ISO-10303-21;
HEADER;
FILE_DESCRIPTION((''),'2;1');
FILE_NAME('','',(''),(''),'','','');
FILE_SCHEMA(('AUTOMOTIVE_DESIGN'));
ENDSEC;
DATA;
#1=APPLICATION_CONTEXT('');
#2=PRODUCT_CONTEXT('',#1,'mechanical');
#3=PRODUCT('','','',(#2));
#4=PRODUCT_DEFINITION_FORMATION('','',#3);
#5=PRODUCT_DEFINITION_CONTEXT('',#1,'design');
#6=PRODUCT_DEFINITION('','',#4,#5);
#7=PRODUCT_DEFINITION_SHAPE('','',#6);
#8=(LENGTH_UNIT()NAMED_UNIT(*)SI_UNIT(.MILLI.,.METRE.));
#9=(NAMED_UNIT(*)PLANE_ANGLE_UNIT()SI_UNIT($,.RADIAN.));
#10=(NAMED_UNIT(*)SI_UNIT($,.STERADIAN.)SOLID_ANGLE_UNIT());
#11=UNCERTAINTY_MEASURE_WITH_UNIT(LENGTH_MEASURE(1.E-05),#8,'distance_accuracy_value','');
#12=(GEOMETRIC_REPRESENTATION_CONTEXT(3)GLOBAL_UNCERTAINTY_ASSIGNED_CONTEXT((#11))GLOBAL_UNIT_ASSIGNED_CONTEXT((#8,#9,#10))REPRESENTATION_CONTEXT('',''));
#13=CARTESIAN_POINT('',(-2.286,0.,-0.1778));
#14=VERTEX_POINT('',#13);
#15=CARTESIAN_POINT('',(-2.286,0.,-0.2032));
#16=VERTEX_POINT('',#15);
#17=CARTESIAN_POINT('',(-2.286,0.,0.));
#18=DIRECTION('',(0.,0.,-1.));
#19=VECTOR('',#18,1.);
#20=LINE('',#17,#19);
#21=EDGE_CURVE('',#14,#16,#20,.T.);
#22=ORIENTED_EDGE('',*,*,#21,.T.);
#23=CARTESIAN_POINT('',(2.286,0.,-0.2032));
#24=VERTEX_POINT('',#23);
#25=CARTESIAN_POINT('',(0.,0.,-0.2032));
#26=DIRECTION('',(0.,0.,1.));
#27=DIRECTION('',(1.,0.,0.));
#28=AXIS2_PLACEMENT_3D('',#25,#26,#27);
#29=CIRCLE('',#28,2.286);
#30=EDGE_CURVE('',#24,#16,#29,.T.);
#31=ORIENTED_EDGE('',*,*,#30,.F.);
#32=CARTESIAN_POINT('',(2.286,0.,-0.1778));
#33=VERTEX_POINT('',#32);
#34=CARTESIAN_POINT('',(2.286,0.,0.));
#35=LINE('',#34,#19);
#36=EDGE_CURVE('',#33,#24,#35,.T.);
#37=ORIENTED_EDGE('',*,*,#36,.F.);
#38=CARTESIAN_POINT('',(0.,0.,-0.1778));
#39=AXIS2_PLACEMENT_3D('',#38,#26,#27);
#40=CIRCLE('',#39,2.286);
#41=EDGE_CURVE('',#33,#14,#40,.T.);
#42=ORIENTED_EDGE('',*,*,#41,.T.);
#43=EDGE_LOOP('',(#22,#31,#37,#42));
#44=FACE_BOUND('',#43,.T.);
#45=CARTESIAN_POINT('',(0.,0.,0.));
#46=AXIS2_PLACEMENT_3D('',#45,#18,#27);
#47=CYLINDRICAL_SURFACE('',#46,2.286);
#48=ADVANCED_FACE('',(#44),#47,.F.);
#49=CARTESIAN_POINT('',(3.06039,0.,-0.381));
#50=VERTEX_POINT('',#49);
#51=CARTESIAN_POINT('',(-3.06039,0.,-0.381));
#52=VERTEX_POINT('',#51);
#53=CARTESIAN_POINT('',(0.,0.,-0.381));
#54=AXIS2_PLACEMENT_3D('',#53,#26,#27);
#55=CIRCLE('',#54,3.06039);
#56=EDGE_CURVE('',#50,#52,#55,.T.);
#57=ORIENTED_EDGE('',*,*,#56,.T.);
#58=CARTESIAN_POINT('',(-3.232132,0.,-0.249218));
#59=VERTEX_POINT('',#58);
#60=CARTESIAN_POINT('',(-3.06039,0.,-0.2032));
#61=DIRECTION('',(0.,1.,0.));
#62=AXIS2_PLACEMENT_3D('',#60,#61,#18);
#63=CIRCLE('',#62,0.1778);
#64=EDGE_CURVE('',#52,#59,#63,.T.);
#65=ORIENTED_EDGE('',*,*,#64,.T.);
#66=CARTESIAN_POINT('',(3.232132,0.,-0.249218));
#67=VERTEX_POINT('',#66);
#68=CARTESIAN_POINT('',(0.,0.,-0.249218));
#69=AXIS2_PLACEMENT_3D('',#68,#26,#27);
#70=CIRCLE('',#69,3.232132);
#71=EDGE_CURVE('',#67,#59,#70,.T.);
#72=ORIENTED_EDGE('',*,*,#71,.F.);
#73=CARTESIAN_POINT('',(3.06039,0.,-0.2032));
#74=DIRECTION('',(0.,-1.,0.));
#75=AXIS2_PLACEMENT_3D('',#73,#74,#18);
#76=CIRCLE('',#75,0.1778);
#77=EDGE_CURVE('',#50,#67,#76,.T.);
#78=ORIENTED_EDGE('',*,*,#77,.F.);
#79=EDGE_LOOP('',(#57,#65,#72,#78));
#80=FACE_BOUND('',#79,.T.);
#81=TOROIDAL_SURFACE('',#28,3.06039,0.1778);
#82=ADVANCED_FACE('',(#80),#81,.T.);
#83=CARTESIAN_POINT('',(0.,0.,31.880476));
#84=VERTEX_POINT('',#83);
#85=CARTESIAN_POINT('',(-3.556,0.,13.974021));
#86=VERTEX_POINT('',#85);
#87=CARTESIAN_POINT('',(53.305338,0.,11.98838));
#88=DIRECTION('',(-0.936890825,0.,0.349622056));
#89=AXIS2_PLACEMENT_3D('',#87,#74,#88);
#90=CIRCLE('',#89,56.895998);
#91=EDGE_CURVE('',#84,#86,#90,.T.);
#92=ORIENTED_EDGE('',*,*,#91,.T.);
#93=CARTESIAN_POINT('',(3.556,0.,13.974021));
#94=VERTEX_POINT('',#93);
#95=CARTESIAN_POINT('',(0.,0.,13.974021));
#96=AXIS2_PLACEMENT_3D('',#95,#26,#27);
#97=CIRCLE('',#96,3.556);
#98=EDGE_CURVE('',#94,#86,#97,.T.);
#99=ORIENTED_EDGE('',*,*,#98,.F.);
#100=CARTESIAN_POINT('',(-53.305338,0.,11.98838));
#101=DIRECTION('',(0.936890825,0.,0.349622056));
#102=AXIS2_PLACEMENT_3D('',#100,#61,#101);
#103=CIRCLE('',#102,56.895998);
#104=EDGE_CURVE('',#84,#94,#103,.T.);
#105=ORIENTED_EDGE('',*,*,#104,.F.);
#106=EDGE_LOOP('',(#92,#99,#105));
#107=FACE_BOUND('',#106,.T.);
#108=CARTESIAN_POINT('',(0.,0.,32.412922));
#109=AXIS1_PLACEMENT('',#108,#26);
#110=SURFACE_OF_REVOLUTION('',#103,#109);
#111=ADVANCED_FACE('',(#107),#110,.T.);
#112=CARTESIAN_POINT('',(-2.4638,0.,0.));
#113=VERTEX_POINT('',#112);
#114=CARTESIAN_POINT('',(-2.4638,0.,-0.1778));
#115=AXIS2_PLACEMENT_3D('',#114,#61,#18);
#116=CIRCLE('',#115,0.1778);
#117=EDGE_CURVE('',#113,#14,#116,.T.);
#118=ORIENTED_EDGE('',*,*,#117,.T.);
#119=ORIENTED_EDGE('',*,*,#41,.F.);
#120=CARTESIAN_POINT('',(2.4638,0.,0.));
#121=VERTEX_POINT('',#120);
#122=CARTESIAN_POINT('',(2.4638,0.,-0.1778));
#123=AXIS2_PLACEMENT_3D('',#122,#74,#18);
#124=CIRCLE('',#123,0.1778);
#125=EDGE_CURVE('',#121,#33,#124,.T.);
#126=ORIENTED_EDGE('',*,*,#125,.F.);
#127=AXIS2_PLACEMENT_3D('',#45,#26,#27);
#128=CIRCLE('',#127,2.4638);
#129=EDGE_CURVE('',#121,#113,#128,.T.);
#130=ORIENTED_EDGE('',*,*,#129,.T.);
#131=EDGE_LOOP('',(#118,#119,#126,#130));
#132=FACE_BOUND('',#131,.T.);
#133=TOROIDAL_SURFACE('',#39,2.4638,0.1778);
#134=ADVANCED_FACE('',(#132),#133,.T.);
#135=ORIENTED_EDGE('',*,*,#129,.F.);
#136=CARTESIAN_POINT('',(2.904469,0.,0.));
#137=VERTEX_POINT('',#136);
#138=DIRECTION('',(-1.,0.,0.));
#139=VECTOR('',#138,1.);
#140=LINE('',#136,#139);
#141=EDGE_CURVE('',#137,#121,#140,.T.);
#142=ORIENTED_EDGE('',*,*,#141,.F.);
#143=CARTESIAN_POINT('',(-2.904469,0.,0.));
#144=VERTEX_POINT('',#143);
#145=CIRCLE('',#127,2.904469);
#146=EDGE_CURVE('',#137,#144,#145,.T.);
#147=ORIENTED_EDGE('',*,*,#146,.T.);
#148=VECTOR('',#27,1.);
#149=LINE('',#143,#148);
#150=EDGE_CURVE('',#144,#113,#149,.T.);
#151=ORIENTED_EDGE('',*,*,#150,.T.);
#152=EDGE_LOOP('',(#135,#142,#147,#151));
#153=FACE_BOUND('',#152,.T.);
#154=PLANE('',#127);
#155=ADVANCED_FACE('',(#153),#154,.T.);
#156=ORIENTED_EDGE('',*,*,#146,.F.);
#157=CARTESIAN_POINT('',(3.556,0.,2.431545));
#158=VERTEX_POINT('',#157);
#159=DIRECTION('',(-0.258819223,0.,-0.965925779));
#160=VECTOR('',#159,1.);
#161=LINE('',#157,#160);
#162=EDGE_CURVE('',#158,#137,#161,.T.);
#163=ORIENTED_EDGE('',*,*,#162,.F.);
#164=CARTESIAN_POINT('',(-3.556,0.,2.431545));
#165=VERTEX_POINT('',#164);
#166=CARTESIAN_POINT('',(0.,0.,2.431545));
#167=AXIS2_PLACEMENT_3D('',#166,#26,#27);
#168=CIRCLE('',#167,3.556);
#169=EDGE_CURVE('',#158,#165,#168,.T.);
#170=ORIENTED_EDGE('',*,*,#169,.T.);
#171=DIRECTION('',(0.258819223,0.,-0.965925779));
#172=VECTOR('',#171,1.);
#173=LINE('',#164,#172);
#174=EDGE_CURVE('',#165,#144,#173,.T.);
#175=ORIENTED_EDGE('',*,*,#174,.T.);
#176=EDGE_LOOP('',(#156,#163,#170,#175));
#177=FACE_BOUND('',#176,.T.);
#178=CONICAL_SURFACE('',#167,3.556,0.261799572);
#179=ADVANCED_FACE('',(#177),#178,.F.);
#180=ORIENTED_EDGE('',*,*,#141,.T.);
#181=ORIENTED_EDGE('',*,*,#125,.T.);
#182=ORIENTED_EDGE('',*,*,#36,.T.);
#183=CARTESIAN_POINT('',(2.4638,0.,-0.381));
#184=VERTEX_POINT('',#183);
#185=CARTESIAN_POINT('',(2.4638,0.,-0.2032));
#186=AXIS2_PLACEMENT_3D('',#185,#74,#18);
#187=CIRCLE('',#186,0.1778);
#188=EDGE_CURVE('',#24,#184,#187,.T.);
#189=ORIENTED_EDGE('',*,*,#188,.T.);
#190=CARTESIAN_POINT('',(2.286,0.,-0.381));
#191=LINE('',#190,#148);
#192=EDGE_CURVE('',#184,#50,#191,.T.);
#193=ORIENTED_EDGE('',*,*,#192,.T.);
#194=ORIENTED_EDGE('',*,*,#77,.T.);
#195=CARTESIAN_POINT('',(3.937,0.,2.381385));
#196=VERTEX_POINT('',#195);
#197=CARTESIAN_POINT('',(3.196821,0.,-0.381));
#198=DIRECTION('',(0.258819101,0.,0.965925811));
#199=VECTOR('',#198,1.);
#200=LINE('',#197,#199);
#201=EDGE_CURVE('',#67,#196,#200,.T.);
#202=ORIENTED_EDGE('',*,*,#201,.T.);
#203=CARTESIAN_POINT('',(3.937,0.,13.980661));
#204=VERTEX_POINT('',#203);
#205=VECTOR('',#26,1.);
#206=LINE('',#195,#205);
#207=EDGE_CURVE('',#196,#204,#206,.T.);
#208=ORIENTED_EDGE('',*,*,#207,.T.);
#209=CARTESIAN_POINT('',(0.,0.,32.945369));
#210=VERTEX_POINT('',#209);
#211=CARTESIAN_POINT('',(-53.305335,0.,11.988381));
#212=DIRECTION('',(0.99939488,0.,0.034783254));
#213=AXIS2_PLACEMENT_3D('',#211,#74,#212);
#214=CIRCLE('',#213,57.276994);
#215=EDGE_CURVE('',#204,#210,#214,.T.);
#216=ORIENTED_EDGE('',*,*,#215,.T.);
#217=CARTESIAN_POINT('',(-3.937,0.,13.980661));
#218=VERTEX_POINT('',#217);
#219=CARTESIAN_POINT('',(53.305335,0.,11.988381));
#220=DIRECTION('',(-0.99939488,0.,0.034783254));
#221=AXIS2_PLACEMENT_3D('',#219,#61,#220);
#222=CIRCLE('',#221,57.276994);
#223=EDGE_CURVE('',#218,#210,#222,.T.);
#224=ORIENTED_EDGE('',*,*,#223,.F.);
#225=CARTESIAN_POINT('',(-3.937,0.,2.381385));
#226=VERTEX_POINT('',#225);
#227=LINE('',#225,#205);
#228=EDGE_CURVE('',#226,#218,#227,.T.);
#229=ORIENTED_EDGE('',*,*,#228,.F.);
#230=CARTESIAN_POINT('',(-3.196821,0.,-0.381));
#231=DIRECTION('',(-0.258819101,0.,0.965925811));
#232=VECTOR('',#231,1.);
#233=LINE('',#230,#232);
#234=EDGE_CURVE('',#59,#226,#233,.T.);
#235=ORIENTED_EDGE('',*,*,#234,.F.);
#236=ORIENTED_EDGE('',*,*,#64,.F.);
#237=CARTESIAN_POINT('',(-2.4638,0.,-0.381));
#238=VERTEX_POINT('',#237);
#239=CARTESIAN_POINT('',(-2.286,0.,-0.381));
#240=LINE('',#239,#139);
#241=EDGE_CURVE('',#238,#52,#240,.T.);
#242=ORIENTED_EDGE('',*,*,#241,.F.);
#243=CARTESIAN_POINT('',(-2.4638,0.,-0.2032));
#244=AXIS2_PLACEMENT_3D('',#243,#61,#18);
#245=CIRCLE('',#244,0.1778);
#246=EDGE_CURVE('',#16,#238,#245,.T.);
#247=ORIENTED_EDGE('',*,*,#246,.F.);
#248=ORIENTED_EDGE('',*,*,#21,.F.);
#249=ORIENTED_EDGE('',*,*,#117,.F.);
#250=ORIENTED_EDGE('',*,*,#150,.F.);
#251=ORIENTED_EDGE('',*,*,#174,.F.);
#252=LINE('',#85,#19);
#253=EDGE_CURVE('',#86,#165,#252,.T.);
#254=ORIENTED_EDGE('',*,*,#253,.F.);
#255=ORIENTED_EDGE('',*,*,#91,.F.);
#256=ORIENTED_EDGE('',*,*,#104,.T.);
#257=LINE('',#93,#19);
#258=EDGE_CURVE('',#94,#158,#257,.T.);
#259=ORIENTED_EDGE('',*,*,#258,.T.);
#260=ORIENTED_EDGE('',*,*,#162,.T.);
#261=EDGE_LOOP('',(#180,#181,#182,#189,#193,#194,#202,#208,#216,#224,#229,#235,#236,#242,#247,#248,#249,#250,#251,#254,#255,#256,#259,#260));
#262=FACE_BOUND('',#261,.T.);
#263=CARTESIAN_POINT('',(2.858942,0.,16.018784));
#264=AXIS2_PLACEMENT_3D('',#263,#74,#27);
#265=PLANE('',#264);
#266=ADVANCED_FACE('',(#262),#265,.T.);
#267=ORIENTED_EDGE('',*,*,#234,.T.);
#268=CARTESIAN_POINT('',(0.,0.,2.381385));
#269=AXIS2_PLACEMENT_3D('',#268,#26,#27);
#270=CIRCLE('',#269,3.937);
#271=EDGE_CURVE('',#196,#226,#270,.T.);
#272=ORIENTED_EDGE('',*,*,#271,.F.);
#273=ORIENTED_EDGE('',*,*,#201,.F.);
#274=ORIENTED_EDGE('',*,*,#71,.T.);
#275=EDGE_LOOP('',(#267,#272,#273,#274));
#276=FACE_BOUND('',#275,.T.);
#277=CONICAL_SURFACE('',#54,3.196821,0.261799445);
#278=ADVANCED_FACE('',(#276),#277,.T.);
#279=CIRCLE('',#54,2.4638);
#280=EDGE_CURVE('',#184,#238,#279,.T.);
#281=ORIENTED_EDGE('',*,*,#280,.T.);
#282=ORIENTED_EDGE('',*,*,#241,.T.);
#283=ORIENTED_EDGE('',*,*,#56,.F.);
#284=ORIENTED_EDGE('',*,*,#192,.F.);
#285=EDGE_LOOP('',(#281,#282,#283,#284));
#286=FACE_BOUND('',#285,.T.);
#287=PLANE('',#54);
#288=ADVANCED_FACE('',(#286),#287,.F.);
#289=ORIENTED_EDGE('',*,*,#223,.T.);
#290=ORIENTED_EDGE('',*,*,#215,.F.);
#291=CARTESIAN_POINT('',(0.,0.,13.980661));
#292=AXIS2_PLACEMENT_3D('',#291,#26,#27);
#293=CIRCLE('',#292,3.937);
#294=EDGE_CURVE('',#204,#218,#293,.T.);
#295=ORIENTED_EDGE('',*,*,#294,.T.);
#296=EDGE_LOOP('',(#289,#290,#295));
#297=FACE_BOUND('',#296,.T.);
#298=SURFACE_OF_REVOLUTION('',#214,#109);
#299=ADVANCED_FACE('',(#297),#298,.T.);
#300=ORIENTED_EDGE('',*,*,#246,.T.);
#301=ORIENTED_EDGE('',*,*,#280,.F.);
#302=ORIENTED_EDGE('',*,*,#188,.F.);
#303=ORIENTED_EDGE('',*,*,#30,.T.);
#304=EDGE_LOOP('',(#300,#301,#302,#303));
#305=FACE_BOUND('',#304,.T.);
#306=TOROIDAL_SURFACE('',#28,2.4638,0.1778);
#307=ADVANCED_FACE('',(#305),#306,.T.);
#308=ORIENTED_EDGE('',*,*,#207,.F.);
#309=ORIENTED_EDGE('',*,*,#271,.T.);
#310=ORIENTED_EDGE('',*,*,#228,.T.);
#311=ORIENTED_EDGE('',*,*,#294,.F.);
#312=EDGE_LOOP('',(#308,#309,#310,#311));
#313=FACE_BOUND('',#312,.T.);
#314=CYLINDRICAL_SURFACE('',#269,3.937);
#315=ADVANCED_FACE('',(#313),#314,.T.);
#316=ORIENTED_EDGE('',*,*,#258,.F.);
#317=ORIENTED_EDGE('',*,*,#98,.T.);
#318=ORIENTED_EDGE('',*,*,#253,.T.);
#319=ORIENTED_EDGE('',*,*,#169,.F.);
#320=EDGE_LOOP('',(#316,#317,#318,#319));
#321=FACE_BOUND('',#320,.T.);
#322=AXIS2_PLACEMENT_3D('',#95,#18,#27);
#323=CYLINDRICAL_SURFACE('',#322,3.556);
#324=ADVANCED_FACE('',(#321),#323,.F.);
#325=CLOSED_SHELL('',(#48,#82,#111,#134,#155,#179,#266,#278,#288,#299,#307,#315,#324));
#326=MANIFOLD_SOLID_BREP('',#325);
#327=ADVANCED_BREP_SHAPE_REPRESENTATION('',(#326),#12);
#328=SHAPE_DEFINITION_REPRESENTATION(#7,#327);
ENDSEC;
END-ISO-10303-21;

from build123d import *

# Parameters (mm, degrees)
F1_ANGLE = 180
F2_R     = 0.1778


with BuildPart() as f1:
    # F0 (on Front) → F1 (revolve)
    with BuildSketch(Plane.XZ):
        with BuildLine():
            Line((3.556, 13.974021), (3.556, 2.431545))
            Line((3.556, 2.431545), (2.904469, 0))
            Line((2.904469, 0), (2.286, 0))
            Line((2.286, 0), (2.286, -0.381))
            Line((2.286, -0.381), (3.196821, -0.381))
            Line((3.196821, -0.381), (3.937, 2.381385))
            Line((3.937, 2.381385), (3.937, 13.980661))
            ThreePointArc((3.937, 13.980661), (2.775962, 23.630641), (0, 32.945369))
            Line((0, 32.945369), (0, 31.880476))
            ThreePointArc((0, 31.880476), (2.500884, 23.070804), (3.556, 13.974021))
        make_face()
    revolve(axis=Axis((0, 0, 32.412922), (0, 0, 1)), revolution_arc=F1_ANGLE)

    # F2
    f2_edges = [f1.edges().sort_by_distance(p)[0] for p in [
        (0, 2.286, 0),
        (0, 2.286, -0.381),
        (0, 3.196821, -0.381),
    ]]
    fillet(f2_edges, radius=F2_R)


solid = f1.part
